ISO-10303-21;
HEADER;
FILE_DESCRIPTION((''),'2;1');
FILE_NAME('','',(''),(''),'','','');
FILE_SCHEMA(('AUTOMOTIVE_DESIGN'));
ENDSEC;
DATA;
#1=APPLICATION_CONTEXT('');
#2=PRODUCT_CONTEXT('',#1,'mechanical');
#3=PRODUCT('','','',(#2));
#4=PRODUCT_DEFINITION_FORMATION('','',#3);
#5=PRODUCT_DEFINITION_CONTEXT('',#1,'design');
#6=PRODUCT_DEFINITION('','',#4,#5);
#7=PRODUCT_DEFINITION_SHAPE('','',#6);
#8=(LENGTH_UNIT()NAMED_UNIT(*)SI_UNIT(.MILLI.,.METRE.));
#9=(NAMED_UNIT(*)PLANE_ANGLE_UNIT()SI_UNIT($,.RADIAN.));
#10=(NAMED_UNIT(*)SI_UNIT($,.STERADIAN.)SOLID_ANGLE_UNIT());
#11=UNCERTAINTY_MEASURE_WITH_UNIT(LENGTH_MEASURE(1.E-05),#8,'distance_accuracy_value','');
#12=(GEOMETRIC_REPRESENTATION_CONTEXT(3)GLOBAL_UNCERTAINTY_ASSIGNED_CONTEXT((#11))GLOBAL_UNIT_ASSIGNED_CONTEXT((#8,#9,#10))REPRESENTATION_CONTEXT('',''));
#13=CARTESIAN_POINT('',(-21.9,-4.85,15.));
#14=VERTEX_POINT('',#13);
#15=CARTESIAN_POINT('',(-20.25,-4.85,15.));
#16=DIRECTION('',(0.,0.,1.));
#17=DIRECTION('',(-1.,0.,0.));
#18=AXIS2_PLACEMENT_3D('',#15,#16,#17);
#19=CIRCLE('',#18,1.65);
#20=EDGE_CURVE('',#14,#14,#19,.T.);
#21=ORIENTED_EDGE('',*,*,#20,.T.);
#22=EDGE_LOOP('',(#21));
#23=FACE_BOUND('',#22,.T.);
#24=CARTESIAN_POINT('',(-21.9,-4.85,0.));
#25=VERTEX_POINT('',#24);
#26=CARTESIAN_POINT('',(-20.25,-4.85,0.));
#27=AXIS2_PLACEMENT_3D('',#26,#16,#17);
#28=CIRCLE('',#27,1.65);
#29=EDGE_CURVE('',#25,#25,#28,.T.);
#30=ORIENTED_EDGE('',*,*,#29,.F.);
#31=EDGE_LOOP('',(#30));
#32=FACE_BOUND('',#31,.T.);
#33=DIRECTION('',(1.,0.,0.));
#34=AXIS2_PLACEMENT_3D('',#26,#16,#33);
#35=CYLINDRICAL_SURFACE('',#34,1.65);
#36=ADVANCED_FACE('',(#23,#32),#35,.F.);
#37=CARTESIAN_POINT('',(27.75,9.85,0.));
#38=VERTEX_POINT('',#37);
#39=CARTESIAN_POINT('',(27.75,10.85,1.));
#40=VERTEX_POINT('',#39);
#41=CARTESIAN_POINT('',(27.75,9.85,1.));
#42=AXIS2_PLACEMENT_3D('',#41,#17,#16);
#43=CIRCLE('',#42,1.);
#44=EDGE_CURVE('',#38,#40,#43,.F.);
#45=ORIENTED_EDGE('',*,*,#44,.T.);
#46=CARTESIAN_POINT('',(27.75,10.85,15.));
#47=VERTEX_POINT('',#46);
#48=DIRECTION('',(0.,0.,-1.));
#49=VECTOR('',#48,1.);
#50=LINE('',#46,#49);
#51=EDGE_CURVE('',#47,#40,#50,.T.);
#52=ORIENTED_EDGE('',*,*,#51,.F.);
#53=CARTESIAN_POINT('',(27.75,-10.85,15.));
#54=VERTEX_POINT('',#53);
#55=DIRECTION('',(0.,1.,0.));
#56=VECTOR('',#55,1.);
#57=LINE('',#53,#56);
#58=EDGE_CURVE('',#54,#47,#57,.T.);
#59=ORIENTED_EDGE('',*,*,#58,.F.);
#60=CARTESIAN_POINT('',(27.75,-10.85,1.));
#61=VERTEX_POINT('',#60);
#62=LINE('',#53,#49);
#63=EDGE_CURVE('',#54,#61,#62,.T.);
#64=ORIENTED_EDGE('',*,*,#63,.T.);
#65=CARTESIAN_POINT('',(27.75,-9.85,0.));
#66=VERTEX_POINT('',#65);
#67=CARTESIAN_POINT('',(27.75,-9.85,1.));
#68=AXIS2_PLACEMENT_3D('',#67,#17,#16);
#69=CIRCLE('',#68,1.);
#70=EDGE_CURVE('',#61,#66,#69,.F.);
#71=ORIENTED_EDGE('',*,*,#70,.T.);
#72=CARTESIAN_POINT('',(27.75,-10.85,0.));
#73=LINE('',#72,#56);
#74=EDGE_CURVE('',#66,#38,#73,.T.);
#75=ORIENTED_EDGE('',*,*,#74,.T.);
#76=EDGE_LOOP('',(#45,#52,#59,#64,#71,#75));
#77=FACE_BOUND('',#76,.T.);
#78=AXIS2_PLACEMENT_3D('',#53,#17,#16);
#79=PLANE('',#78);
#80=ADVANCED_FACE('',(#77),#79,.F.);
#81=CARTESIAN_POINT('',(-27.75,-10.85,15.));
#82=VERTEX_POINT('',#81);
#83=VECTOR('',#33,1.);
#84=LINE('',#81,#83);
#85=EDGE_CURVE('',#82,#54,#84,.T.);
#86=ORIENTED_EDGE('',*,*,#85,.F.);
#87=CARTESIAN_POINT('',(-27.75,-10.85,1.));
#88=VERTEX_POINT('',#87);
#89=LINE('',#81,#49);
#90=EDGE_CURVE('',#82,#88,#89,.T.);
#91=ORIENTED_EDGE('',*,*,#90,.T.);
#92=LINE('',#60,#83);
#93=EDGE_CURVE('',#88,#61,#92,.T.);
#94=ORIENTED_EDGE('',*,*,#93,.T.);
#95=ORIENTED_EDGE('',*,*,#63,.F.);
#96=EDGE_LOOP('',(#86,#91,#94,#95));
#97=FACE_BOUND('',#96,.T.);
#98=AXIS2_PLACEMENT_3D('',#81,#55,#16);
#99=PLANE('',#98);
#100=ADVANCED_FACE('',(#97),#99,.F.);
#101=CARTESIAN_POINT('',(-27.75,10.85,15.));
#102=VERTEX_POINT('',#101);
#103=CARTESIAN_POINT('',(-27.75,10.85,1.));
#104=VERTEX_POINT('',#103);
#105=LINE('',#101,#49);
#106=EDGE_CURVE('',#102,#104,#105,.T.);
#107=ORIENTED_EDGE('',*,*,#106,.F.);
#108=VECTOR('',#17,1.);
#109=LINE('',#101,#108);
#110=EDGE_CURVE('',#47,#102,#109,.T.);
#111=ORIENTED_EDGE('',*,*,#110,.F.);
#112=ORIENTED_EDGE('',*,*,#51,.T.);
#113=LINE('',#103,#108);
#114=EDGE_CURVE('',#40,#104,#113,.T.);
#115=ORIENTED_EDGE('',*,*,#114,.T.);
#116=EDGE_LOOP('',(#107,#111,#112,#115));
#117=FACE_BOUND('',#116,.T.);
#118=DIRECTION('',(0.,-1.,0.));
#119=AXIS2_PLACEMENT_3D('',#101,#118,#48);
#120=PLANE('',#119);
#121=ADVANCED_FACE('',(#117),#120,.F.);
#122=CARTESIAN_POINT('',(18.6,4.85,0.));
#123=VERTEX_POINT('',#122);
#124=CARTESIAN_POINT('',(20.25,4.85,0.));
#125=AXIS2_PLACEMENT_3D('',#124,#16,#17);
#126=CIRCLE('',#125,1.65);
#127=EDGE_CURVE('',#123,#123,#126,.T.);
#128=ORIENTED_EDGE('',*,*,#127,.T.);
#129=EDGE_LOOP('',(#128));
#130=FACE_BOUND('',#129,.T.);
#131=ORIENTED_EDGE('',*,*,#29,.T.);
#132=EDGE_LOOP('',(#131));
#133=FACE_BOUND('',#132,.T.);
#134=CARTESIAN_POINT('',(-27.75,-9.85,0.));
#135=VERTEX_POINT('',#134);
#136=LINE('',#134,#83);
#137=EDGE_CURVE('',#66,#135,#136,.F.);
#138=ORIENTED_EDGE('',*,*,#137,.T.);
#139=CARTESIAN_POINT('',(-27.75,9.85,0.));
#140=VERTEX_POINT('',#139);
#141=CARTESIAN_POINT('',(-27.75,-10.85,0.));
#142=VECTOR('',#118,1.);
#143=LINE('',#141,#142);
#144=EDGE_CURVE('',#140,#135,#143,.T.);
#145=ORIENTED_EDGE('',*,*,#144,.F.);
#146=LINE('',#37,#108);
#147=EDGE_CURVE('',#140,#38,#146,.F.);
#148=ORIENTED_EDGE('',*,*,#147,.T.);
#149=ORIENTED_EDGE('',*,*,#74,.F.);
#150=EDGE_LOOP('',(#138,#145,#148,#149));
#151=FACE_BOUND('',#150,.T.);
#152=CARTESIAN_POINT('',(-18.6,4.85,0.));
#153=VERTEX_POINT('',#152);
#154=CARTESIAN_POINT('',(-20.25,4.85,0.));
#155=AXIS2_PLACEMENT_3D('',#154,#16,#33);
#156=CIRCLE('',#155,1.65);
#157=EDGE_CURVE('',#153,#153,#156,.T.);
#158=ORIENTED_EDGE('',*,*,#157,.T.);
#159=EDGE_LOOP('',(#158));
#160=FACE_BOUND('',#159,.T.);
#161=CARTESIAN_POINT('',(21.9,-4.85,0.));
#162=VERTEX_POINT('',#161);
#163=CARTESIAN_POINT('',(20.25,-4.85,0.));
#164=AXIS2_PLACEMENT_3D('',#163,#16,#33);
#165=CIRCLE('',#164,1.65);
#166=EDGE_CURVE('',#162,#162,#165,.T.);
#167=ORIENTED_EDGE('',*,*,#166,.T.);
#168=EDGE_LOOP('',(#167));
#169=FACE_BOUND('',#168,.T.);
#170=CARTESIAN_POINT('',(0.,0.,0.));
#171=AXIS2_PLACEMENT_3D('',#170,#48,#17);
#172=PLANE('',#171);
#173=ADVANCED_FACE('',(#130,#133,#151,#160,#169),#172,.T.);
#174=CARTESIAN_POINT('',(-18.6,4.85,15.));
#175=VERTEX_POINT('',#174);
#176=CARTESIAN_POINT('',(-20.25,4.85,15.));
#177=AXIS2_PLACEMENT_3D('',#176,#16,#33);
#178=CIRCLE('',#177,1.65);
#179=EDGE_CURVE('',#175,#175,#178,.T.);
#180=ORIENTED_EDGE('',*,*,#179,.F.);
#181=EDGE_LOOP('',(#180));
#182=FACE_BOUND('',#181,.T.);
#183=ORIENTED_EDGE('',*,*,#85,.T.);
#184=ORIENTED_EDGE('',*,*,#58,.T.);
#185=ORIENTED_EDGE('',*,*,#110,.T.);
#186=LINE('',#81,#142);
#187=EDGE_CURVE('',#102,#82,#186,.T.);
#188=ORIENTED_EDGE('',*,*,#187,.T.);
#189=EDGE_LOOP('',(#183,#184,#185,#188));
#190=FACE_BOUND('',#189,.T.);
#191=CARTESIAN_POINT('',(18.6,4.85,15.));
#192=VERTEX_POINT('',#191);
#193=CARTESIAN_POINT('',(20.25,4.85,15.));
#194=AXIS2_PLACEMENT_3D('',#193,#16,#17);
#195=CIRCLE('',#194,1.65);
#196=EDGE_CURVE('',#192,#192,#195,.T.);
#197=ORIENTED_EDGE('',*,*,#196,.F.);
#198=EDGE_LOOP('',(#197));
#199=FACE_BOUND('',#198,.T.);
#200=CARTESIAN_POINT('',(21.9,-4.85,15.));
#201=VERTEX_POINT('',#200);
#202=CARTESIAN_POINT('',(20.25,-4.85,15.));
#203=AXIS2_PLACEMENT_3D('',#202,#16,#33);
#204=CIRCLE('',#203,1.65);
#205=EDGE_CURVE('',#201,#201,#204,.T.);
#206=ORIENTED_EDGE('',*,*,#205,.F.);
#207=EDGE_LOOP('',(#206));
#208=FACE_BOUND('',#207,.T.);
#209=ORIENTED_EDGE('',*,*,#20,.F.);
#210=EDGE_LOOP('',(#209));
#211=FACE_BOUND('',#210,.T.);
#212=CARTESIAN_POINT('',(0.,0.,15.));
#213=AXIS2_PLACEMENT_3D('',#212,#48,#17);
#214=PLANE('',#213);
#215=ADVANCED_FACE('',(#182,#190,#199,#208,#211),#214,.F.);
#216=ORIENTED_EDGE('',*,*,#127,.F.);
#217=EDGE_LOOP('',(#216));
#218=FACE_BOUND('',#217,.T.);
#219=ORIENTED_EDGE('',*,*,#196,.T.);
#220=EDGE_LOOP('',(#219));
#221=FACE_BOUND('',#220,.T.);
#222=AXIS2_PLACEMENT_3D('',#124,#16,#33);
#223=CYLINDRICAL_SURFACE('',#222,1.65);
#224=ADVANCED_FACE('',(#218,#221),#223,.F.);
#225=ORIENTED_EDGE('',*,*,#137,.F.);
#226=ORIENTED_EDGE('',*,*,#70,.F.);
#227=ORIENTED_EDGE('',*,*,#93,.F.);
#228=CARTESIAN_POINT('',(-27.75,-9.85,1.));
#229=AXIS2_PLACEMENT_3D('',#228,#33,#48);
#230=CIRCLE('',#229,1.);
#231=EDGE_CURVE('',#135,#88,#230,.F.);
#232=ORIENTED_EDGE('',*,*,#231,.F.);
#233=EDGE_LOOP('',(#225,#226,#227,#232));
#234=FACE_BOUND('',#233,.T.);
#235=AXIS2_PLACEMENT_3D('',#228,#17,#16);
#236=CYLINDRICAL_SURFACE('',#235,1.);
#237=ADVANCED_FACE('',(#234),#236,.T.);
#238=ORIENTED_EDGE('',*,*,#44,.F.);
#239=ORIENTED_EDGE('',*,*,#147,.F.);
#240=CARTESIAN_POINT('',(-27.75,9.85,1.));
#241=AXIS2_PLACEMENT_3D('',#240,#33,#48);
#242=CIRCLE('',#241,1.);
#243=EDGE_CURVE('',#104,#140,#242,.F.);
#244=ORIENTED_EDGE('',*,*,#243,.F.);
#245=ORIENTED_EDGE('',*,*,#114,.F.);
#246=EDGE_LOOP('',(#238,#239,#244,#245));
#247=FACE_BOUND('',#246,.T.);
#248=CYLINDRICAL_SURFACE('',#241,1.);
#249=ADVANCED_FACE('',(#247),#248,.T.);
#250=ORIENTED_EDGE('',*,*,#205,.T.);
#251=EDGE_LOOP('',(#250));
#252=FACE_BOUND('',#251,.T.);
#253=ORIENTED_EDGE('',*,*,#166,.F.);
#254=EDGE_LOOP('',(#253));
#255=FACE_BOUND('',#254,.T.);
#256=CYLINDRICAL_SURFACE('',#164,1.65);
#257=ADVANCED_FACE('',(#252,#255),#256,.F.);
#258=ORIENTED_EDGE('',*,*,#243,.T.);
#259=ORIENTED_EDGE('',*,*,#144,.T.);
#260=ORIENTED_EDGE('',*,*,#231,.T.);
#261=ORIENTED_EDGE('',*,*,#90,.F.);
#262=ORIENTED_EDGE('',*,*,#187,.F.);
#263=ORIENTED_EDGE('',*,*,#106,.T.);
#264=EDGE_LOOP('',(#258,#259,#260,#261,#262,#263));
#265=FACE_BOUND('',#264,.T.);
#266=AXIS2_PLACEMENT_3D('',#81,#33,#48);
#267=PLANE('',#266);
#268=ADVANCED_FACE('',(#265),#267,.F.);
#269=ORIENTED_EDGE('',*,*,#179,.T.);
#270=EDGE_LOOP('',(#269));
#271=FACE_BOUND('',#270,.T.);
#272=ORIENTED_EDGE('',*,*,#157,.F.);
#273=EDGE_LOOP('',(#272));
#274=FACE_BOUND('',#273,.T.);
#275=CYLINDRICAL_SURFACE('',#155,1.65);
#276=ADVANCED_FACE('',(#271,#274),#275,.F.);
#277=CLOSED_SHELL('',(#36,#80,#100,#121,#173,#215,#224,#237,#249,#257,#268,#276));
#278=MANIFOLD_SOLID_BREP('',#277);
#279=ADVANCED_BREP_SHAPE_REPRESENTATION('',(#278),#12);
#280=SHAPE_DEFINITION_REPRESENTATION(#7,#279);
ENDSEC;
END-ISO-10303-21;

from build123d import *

# Parameters (mm, degrees)
SKETCH1_W           = 55.5
SKETCH1_H           = 21.7
BOSS_EXTRUDE1_DEPTH = 15
SKETCH3_R           = 1.65
CUT_EXTRUDE1_DEPTH  = 16
FILLET1_R           = 1


with BuildPart() as part:
    # Sketch1 → Boss-Extrude1 (new body)
    with BuildSketch(Plane.XY):
        Rectangle(SKETCH1_W, SKETCH1_H)
    extrude(amount=BOSS_EXTRUDE1_DEPTH)

    # Sketch3 → Cut-Extrude1 (cut, through all)
    with BuildSketch(Plane.XY.offset(15)):
        with Locations((-20.25, 4.85)):
            Circle(SKETCH3_R)
        with Locations((-20.25, -4.85)):
            Circle(SKETCH3_R)
        with Locations((20.25, -4.85)):
            Circle(SKETCH3_R)
        with Locations((20.25, 4.85)):
            Circle(SKETCH3_R)
    extrude(amount=-CUT_EXTRUDE1_DEPTH, mode=Mode.SUBTRACT)

    # Fillet1
    fillet1_edges = [part.edges().sort_by_distance(p)[0] for p in [
        (0, -10.85, 0),
        (0, 10.85, 0),
    ]]
    fillet(fillet1_edges, radius=FILLET1_R)


solid = part.part
